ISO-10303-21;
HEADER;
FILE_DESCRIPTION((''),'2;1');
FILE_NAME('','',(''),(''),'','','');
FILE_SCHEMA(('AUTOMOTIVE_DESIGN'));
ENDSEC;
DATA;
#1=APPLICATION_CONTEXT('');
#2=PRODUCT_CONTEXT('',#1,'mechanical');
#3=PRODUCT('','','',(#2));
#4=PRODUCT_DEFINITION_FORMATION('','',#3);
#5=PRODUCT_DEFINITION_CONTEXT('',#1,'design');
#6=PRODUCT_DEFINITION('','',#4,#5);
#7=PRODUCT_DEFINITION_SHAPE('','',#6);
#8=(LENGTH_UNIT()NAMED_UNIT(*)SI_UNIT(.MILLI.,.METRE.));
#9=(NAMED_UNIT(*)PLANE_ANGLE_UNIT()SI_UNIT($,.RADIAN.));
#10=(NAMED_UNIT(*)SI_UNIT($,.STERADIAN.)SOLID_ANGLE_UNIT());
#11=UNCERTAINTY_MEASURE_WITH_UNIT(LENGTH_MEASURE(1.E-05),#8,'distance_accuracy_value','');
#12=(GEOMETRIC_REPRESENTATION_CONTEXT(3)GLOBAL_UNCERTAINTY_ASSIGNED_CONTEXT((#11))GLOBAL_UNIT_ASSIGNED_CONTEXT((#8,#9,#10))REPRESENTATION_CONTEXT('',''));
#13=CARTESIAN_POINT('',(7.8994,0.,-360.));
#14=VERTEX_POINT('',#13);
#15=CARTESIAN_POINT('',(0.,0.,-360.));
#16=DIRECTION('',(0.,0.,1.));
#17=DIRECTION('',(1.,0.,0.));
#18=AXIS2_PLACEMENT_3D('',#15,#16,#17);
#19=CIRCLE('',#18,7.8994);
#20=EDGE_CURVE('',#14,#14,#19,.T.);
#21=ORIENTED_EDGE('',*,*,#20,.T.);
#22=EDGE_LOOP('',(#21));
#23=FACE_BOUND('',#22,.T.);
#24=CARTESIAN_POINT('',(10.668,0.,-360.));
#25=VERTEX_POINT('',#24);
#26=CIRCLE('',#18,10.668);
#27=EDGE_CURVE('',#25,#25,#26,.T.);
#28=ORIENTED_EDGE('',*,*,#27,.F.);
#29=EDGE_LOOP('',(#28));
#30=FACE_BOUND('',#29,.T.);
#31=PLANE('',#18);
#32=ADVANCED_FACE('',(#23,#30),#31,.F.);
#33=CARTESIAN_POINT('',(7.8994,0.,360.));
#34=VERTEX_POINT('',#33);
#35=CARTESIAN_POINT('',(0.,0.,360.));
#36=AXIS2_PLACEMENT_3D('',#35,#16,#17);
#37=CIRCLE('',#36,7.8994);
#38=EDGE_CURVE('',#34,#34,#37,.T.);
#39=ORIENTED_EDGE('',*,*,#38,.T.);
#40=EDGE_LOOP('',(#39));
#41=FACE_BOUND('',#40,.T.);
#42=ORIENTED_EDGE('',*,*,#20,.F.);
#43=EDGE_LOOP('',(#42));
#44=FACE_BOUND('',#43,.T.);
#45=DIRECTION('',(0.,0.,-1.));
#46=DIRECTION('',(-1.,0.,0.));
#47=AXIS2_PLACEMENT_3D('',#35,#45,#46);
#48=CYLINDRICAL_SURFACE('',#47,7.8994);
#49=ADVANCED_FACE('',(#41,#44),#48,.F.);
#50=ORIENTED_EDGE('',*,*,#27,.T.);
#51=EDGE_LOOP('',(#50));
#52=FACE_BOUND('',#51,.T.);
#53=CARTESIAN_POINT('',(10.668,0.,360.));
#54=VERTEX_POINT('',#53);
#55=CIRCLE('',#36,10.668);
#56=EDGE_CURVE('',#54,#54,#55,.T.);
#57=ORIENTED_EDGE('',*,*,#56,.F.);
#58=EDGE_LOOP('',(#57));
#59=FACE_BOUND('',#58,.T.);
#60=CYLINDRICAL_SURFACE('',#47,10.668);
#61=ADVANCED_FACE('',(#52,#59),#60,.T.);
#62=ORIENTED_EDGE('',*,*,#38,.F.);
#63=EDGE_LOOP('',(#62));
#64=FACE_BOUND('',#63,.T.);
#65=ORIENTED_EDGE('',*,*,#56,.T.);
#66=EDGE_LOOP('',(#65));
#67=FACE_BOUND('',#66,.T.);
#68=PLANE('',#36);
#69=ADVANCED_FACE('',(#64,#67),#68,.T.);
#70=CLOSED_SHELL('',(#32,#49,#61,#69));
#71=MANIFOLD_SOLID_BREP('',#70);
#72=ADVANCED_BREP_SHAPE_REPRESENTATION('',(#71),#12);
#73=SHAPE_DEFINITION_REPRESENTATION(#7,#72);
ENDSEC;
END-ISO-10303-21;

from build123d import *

# Parameters (mm, degrees)
SKETCH1_R           = 10.668
SKETCH1_R_2         = 7.8994
EXTRUDE_THIN1_DEPTH = 360


with BuildPart() as part:
    # Sketch1 → Extrude-Thin1 (new body, symmetric)
    with BuildSketch(Plane.XY):
        Circle(SKETCH1_R)
        Circle(SKETCH1_R_2, mode=Mode.SUBTRACT)
    extrude(amount=EXTRUDE_THIN1_DEPTH, both=True)


solid = part.part
